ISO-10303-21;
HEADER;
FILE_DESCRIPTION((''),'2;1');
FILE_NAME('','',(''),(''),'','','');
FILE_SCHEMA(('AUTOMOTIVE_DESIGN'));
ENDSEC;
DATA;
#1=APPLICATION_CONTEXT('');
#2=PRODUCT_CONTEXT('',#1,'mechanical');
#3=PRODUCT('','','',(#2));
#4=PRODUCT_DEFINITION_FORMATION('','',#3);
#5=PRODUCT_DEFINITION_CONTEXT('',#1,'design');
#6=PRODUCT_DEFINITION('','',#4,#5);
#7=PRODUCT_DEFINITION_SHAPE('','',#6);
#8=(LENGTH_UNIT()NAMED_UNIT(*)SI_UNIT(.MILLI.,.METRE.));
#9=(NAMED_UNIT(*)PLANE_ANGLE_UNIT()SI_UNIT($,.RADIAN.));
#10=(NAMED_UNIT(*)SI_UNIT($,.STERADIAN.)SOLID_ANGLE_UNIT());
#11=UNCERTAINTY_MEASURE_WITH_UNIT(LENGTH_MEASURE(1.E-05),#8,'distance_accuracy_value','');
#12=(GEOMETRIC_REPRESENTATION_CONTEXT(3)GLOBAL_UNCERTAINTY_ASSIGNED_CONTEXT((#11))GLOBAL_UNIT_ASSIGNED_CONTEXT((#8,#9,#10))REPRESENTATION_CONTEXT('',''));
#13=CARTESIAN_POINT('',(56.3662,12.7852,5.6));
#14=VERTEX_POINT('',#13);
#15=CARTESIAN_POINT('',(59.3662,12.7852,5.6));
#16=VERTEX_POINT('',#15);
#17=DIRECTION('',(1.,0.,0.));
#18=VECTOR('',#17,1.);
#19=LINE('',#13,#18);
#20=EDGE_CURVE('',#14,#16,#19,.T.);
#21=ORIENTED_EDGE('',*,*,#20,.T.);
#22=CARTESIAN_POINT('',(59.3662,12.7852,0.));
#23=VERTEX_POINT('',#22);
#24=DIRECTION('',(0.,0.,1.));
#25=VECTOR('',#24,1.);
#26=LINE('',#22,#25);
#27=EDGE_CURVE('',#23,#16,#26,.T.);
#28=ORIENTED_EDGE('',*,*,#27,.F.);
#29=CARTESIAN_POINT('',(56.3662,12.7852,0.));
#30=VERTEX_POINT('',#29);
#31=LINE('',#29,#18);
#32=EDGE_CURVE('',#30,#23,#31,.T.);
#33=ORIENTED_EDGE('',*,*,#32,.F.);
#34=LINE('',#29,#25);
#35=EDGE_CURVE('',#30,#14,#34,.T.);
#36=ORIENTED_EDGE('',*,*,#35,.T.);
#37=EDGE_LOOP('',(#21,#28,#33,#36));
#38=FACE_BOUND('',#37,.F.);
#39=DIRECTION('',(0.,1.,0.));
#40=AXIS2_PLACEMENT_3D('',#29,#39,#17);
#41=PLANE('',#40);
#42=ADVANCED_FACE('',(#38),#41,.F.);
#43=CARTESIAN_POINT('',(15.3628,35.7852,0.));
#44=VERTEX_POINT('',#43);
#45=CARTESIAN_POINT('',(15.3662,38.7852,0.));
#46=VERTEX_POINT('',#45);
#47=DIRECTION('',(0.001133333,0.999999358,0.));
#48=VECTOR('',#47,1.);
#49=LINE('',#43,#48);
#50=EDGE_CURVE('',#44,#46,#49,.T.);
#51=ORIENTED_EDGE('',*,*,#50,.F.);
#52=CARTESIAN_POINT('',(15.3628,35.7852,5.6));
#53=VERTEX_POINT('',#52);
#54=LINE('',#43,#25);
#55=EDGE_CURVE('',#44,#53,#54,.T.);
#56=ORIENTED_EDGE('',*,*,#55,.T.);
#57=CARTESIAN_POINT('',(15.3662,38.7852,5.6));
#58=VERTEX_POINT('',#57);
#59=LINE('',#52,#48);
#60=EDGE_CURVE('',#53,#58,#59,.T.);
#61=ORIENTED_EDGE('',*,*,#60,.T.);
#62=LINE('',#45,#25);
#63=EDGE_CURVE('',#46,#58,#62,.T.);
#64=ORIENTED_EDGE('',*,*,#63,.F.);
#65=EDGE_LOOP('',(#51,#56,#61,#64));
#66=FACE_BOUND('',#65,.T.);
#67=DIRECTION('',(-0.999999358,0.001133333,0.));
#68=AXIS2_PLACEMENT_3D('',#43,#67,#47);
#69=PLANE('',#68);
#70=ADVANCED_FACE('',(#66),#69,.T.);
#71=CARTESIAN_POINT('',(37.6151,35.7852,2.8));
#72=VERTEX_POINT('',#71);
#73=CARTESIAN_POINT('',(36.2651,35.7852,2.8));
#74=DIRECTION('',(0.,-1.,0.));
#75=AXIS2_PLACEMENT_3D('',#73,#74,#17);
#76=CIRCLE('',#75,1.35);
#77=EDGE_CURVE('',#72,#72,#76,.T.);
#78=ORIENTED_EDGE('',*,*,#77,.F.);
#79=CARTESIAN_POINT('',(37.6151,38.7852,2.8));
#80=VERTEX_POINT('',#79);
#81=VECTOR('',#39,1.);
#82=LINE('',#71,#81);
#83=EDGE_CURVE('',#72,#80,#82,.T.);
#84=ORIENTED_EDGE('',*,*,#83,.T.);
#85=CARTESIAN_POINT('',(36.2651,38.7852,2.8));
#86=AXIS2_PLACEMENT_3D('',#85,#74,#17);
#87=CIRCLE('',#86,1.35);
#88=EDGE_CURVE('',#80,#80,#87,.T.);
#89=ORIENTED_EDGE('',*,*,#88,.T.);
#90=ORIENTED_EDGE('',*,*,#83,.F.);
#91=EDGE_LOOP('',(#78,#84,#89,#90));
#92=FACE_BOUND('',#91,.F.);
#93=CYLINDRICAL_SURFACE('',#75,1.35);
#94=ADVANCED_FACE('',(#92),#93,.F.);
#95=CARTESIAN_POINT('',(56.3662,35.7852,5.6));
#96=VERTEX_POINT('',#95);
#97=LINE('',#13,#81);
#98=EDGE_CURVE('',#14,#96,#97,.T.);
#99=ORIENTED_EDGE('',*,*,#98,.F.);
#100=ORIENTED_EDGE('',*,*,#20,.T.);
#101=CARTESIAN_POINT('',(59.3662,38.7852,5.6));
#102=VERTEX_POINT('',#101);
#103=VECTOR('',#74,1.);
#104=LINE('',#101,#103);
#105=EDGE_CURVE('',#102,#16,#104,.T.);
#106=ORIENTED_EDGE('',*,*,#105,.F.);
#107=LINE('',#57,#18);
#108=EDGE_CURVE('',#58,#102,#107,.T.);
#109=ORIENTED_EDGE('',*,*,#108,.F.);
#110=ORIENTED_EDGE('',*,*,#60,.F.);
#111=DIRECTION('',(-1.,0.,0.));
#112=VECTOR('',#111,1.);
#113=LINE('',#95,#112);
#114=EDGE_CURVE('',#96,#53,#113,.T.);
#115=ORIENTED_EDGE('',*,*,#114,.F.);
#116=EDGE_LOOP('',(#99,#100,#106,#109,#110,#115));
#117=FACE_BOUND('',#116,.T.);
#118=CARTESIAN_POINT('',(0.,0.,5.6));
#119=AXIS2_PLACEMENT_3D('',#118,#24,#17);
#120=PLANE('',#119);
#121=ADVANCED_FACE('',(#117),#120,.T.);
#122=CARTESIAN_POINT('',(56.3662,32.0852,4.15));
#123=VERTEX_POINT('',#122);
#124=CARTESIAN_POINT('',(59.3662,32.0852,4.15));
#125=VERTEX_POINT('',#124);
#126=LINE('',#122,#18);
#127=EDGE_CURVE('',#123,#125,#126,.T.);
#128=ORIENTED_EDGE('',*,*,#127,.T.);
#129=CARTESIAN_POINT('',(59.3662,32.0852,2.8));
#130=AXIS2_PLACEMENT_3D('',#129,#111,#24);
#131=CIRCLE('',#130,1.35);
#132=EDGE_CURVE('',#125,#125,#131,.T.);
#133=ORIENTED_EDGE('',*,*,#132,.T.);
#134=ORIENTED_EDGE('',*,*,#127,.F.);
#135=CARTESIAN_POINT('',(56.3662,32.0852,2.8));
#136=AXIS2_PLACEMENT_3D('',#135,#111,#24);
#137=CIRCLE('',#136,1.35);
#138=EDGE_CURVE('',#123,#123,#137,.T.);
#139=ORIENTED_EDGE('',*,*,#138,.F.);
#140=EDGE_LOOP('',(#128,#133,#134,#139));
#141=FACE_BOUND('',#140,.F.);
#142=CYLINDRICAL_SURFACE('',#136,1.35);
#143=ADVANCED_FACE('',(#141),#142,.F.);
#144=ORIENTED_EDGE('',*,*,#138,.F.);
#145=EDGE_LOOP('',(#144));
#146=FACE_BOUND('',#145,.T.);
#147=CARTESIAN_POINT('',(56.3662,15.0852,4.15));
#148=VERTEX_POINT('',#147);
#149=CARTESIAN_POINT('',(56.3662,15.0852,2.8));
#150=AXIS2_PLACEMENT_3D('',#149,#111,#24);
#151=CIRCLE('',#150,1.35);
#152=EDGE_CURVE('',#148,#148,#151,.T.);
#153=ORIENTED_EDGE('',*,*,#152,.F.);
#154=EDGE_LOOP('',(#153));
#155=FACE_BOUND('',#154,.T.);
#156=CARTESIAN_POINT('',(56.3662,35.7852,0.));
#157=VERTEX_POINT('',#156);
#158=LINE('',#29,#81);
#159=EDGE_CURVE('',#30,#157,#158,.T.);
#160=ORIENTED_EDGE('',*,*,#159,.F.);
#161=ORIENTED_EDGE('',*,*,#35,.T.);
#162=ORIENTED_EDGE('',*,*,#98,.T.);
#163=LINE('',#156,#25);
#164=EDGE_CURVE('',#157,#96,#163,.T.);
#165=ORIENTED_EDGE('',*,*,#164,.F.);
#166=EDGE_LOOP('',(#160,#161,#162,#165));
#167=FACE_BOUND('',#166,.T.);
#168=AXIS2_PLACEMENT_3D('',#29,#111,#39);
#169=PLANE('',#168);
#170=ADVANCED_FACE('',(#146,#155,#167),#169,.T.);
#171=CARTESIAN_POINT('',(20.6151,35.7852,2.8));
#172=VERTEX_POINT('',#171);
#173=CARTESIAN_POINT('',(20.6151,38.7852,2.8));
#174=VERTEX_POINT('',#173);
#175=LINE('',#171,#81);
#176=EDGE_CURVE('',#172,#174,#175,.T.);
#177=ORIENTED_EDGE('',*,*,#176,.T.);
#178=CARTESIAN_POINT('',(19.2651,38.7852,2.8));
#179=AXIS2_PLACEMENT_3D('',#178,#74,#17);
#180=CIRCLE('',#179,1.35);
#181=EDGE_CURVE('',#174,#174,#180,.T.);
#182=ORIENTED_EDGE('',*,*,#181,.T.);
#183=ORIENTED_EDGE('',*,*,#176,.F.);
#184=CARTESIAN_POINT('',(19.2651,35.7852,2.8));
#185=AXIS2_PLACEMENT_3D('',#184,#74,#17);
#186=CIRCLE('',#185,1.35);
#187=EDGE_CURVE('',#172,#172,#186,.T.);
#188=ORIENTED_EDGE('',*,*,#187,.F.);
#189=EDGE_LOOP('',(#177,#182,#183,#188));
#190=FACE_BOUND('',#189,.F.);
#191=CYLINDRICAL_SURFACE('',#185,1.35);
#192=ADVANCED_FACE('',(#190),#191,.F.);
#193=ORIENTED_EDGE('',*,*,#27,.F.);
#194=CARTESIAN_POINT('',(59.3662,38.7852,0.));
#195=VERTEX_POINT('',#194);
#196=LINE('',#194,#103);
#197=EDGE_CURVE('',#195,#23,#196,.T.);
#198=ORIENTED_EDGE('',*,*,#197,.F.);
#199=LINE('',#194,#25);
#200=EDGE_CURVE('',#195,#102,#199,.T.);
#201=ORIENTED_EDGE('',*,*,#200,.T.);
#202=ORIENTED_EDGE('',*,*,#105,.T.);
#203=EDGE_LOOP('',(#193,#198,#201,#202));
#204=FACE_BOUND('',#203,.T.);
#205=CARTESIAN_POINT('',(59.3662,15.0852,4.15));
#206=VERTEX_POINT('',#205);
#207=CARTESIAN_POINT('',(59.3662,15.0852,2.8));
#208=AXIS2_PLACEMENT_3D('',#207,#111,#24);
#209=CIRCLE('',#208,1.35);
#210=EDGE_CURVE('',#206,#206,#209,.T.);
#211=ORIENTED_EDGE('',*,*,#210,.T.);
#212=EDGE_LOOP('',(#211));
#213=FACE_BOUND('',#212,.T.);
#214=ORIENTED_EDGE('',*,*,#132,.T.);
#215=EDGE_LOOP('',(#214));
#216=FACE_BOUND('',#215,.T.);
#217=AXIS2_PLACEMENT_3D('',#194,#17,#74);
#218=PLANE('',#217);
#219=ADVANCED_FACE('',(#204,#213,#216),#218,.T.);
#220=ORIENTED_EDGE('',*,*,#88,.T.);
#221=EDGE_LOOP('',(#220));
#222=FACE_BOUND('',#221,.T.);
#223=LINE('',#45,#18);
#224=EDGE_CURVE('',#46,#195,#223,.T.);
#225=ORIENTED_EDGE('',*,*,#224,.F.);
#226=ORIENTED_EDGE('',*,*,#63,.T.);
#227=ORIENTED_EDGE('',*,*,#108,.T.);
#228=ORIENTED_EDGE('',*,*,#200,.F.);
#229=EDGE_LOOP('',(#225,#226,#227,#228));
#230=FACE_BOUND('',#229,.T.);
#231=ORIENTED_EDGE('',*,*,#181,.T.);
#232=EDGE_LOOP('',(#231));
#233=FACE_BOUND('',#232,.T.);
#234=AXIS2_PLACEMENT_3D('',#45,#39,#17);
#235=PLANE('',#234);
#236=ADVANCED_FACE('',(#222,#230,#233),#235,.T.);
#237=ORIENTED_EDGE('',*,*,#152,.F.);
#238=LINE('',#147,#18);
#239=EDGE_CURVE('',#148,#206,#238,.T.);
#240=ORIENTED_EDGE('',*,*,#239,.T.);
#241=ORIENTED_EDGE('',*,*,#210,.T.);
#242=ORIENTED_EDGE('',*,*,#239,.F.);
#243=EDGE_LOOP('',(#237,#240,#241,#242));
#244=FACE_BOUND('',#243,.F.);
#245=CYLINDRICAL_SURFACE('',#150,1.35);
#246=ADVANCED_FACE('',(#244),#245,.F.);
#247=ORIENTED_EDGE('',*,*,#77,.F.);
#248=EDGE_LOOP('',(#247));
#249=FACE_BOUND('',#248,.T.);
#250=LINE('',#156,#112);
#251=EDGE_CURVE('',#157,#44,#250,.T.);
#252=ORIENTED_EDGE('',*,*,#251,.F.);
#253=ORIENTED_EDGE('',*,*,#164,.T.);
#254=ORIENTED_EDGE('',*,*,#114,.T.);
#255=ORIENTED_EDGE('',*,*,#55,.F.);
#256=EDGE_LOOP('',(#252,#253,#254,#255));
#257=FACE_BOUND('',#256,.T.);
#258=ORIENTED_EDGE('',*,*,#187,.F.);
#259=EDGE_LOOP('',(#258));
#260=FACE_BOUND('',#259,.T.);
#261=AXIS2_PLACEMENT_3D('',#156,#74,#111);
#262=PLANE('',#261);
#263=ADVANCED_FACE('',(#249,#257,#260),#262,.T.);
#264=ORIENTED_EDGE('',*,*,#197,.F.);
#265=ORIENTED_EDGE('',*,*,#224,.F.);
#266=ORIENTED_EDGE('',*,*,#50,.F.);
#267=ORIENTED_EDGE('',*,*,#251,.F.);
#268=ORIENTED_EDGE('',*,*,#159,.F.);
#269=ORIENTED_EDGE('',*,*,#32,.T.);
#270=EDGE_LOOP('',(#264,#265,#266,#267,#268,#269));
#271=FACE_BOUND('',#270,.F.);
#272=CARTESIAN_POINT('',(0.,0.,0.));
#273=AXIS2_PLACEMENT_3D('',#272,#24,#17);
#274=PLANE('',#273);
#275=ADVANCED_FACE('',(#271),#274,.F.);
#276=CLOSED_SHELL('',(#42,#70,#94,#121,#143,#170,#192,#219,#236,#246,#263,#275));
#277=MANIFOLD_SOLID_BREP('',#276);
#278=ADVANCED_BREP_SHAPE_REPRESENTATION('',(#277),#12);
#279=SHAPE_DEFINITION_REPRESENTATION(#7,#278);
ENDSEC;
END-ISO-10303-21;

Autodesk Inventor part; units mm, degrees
ref_plane "YZ Plane" through (0, 0, 0) normal (1, 0, 0) x (0, 1, 0)
ref_plane "XZ Plane" through (0, 0, 0) normal (0, 1, 0) x (-1, 0, 0)
ref_plane "XY Plane" through (0, 0, 0) normal (0, 0, 1) x (1, 0, 0)
sketch "Sketch1" plane through (0, 0, 0) normal (0, 0, 1) x (1, 0, 0)
  line L0 (56.3662, 12.7852) -> (56.3662, 35.7852)
  line L1 (56.3662, 35.7852) -> (15.3628, 35.7852)
  line L2 (15.3628, 35.7852) -> (15.3662, 38.7852)
  line L3 (15.3662, 38.7852) -> (59.3662, 38.7852)
  line L4 (59.3662, 38.7852) -> (59.3662, 12.7852)
  line L5 (56.3662, 12.7852) -> (59.3662, 12.7852)
  point P0 (0, 0)
  dimension "d0" = 3
  dimension "d1" = 3
  dimension "d2" = 26
  dimension "d3" = 44
extrude "Extrusion1" add sketch "Sketch1" along normal blind 5.6
sketch "Sketch2" plane through (56.3662, 12.7852, 0) normal (-1, 0, 0) x (0, 0, 1)
  circle A0 centre (2.8, 19.3) radius 1.35 projected
  circle A1 centre (2.8, 2.3) radius 1.35 projected
  circle A2 centre (2.8, 19.3) radius 1.35
  circle A3 centre (2.8, 2.3) radius 1.35
  point P0 (0, -12.7852)
  dimension "d6" = 2.7
  dimension "d7" = 2.7
extrude "Extrusion2" cut sketch "Sketch2" against normal through all
sketch "Sketch3" plane through (15.3628, 35.7852, 0) normal (0, -1, 0) x (1, 0, 0)
  circle A0 centre (3.9023, 2.8) radius 1.35 projected
  circle A1 centre (20.9023, 2.8) radius 1.35 projected
  circle A2 centre (3.9023, 2.8) radius 1.35
  circle A3 centre (20.9023, 2.8) radius 1.35
  point P0 (-15.3628, 0)
  dimension "d10" = 2.7
  dimension "d11" = 2.7
extrude "Extrusion3" cut sketch "Sketch3" against normal through all
properties part number "Pelvis" material "Aluminum-6061"
